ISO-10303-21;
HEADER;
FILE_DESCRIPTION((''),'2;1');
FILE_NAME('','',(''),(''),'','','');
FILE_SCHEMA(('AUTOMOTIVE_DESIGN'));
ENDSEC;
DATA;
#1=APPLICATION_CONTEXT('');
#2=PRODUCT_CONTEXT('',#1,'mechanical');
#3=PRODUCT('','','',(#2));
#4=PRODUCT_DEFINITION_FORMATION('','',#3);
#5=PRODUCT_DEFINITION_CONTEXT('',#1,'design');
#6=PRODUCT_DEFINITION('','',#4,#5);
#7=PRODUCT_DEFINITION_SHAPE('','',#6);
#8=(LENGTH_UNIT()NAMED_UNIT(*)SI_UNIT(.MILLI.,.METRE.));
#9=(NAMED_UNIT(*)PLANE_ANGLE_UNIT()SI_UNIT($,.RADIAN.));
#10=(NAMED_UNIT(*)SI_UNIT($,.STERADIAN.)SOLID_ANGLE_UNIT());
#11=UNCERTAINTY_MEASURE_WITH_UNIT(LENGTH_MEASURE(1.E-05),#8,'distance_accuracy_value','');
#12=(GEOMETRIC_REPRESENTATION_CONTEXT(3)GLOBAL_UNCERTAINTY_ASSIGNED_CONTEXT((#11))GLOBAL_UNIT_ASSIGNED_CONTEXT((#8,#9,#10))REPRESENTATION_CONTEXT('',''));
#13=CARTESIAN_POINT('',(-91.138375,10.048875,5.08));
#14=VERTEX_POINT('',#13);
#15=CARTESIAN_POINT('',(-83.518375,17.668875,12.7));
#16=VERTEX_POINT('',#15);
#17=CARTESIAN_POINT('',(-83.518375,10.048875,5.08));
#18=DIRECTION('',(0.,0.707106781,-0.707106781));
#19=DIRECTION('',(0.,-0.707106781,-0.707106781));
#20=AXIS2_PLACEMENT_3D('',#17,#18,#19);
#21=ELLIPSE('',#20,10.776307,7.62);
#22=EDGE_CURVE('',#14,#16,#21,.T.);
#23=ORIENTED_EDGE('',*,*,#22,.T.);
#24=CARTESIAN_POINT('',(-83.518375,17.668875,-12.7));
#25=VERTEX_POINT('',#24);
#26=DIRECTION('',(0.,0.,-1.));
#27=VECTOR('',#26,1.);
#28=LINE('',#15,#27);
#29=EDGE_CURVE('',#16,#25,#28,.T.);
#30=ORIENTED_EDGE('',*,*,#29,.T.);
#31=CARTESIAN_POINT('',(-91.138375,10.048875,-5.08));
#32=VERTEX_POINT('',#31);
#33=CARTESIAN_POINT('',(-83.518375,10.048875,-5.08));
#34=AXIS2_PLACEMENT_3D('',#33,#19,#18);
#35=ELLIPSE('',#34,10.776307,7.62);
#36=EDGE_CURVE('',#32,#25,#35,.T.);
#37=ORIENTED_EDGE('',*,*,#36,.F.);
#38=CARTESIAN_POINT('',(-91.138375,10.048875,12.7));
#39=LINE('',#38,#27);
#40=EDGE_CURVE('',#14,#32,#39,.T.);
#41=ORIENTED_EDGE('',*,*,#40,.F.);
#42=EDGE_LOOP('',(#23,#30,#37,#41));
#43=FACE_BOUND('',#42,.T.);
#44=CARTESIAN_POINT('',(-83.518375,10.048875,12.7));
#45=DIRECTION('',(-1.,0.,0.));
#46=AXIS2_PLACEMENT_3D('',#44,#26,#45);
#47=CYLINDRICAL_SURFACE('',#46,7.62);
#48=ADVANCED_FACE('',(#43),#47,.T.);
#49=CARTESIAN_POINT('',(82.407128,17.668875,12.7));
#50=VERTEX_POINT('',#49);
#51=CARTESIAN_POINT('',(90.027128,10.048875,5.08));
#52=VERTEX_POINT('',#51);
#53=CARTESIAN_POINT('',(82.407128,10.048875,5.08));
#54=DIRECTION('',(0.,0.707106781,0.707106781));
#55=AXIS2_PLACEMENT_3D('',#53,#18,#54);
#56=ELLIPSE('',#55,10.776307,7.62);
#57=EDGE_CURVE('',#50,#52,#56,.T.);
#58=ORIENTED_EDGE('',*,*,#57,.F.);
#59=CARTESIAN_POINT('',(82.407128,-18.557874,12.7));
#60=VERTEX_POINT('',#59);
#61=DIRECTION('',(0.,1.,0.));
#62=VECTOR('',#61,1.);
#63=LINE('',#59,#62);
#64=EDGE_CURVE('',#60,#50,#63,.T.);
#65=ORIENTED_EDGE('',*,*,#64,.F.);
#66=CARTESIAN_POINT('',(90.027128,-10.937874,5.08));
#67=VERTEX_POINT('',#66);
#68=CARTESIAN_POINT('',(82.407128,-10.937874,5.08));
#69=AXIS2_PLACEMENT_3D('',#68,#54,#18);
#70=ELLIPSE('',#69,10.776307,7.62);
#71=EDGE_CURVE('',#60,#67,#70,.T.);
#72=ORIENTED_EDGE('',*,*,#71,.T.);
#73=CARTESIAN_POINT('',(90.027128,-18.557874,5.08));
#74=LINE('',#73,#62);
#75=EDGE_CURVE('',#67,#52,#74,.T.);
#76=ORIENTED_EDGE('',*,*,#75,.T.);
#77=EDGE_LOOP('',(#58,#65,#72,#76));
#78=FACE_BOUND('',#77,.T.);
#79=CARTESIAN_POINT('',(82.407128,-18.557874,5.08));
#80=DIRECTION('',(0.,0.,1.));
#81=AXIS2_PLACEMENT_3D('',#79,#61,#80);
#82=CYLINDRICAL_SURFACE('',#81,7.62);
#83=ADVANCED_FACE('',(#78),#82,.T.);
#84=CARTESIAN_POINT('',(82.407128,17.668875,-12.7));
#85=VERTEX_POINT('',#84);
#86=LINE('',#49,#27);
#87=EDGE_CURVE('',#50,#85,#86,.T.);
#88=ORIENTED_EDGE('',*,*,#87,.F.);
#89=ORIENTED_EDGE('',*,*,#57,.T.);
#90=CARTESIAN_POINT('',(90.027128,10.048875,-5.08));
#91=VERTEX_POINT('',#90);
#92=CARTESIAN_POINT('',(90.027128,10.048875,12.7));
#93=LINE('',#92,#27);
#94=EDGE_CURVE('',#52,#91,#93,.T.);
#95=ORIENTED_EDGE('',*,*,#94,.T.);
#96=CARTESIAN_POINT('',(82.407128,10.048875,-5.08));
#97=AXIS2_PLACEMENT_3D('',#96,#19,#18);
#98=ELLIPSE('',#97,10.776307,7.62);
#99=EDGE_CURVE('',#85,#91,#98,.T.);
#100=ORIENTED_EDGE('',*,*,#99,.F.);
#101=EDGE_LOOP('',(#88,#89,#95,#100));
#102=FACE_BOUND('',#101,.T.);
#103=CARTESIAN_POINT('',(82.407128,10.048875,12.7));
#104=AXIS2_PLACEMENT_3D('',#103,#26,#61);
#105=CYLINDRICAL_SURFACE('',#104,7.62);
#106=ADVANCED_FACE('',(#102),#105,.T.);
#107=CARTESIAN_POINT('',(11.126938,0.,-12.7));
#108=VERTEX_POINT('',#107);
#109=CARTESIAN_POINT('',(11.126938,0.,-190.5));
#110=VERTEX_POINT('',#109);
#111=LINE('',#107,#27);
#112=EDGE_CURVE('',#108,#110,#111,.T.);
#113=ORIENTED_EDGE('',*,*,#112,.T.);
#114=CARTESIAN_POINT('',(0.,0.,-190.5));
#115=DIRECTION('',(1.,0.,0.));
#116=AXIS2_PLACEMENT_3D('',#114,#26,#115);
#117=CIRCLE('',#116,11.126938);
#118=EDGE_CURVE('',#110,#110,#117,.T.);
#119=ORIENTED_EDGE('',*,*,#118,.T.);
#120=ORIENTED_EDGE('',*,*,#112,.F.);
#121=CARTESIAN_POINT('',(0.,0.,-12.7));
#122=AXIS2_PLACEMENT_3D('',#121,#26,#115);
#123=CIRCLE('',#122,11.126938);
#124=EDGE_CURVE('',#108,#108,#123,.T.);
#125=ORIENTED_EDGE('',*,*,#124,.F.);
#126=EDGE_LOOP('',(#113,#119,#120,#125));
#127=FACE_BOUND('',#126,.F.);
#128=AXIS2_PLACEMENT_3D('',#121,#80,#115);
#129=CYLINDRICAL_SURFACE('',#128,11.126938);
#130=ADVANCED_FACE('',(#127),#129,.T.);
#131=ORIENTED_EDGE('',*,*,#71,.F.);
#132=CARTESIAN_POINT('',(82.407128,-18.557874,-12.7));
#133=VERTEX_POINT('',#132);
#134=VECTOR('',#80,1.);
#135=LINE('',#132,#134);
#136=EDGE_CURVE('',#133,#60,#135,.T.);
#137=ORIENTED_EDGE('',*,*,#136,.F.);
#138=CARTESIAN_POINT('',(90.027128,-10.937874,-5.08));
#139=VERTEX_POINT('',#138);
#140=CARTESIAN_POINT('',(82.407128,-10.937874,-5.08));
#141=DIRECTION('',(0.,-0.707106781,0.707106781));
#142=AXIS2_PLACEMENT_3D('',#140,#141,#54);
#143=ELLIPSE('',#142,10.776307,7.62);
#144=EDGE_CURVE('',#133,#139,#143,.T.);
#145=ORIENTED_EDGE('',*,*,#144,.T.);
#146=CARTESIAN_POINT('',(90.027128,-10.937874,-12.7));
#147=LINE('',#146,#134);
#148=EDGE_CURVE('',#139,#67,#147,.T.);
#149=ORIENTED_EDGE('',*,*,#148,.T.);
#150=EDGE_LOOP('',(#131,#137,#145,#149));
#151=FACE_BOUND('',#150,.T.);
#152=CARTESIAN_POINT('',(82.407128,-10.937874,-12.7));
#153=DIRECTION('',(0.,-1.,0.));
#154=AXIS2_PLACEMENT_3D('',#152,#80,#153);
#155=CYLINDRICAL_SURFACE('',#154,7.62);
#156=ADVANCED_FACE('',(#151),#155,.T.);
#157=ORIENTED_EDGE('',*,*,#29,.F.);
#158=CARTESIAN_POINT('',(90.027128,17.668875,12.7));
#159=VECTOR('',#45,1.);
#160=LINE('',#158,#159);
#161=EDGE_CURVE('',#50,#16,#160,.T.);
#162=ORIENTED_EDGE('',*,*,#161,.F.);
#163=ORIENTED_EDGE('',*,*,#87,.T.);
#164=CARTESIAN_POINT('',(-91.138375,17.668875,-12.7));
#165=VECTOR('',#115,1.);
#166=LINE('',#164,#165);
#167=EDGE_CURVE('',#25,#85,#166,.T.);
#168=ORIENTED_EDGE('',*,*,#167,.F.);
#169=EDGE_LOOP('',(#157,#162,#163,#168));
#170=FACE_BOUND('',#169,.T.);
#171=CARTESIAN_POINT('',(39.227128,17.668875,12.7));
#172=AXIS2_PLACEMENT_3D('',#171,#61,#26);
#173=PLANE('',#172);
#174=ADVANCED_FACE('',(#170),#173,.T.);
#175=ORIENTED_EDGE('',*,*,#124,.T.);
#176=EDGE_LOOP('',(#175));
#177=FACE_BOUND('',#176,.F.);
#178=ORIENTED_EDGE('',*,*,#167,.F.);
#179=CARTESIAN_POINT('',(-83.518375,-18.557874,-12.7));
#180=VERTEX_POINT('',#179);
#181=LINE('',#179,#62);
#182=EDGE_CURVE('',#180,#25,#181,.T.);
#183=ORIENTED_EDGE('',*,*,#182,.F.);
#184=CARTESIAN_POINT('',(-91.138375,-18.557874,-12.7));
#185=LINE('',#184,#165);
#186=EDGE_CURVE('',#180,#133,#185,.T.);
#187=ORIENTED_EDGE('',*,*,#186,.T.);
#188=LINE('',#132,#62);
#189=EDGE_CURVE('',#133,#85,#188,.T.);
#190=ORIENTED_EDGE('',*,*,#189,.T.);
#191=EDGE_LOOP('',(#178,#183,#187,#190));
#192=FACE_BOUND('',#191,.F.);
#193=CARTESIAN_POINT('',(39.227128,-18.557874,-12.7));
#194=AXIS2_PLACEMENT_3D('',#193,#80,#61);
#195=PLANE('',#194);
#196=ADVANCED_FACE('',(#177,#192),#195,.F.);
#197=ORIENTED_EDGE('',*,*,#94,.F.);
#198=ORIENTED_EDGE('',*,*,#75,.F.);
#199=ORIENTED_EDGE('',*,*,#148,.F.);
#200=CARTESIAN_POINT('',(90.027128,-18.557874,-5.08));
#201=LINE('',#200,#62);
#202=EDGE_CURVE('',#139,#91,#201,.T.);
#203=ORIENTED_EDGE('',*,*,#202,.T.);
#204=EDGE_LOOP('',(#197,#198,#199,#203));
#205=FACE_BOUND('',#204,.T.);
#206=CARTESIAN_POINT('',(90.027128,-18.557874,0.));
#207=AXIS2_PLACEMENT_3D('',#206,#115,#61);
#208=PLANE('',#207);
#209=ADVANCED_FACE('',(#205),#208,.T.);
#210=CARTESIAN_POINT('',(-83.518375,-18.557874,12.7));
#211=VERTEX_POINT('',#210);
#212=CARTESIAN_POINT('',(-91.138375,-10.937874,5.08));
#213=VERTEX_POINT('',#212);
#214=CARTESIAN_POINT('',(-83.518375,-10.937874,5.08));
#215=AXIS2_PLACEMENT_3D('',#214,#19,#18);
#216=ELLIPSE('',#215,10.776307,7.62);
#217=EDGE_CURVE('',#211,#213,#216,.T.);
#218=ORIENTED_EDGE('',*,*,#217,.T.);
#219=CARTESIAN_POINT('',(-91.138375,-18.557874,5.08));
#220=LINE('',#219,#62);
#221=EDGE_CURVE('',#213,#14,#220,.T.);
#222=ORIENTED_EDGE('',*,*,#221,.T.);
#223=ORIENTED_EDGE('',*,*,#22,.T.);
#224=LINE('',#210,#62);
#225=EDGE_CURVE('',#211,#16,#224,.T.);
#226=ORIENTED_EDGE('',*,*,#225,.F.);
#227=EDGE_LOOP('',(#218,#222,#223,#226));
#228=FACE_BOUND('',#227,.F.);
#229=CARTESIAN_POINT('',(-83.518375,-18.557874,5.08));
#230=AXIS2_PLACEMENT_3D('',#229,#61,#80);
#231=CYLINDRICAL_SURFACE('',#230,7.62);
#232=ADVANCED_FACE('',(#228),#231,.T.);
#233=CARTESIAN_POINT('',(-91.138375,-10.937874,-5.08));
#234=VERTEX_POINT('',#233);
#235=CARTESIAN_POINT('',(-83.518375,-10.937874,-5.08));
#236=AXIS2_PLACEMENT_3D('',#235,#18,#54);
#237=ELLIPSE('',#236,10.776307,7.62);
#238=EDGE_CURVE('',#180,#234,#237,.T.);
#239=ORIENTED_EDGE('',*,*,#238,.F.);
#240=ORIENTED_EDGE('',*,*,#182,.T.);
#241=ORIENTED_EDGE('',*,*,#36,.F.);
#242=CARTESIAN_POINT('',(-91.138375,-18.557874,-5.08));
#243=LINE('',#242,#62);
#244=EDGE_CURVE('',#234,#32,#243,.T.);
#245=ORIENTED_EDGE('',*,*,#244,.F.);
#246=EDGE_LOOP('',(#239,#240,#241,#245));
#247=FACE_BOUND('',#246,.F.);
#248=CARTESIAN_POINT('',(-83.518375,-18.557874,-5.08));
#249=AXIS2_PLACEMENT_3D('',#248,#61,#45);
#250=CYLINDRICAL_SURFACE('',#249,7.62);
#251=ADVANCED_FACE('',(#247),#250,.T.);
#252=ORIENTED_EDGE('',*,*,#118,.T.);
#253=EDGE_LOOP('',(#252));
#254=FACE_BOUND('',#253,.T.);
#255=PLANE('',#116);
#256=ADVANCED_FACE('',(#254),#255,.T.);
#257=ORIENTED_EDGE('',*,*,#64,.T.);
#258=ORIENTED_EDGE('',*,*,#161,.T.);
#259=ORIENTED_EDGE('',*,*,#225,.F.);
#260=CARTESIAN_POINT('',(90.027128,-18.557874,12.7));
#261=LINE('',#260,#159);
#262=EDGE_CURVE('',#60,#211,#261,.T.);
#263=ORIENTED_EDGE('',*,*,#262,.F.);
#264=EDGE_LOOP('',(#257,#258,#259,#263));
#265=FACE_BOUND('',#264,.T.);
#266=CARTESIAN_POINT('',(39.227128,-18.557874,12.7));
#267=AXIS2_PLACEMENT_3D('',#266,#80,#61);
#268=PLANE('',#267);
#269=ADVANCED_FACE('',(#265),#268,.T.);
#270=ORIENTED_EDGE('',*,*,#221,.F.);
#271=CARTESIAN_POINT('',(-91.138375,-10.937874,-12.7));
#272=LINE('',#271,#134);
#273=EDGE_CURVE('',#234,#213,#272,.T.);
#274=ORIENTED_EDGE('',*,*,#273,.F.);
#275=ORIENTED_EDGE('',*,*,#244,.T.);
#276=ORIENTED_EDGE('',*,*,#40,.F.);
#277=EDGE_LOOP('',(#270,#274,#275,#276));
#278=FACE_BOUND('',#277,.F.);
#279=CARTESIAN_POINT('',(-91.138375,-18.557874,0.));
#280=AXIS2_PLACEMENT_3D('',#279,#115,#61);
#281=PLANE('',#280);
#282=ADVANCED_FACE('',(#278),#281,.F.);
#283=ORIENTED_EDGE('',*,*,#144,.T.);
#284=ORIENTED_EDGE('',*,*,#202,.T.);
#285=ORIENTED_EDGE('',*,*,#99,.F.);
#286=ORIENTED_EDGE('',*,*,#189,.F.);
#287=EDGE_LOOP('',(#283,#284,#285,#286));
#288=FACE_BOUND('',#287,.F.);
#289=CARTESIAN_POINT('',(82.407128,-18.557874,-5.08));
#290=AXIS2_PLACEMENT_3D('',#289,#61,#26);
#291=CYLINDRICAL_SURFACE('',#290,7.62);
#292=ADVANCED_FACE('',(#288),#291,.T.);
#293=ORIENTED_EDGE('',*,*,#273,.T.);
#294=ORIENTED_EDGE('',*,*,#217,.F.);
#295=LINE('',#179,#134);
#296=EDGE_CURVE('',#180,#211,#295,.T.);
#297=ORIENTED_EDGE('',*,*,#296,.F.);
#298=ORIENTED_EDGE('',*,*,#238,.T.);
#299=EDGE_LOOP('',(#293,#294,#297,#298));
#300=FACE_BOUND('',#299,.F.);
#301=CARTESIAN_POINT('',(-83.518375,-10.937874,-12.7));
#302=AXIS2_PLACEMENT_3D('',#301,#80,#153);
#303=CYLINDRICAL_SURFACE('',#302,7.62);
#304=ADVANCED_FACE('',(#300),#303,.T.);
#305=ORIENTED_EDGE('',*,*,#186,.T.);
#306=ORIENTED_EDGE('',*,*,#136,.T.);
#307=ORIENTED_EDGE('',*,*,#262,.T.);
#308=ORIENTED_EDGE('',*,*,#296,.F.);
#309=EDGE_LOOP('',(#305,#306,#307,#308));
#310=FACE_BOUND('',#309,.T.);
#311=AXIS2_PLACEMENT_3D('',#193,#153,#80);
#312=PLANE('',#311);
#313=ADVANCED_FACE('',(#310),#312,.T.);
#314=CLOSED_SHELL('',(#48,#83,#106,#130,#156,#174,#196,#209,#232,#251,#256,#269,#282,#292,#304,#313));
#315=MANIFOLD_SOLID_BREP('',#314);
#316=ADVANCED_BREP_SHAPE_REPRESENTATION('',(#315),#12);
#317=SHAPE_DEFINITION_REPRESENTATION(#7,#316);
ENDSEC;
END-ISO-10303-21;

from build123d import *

# Parameters (mm, degrees)
F0_W     = 79.5655027032
F0_H     = 36.2267494202
F1_DEPTH = 12.7
F2_DEPTH = 12.7
F3_R     = 11.1269376105
F4_DEPTH = 177.8
F5_DEPTH = 50.8
F6_DEPTH = 50.8
F7_R     = 7.62
F8_R     = 7.62


with BuildPart() as f1:
    # F0 (on Top) → F1 (new body)
    with BuildSketch(Plane.XY):
        with Locations((-0.5556233227, -0.4444997758)):
            Rectangle(F0_W, F0_H)
    extrude(amount=F1_DEPTH)

    # F2 (add): a face of the model
    f2_faces = [f1.faces().sort_by_distance(p)[0] for p in [
        (-0.5556233227, -0.4444997758, 0),
    ]]
    extrude(f2_faces, amount=F2_DEPTH)

    # F3 (on face) → F4 (join)
    with BuildSketch(Plane(origin=(0, 0, -12.7), x_dir=(1, 0, 0), z_dir=(0, 0, -1))):
        Circle(F3_R)
    extrude(amount=F4_DEPTH)

    # F5 (add): a face of the model
    f5_faces = [f1.faces().sort_by_distance(p)[0] for p in [
        (-40.3383746743, -0.4444997758, 0),
    ]]
    extrude(f5_faces, amount=F5_DEPTH)

    # F6 (add): a face of the model
    f6_faces = [f1.faces().sort_by_distance(p)[0] for p in [
        (39.2271280289, -0.4444997758, 0),
    ]]
    extrude(f6_faces, amount=F6_DEPTH)

    # F7
    f7_edges = [f1.edges().sort_by_distance(p)[0] for p in [
        (90.027128, -0.4445, 12.7),
        (90.027128, 17.668875, 0),
        (90.027128, -0.4445, -12.7),
        (90.027128, -18.557874, 0),
    ]]
    fillet(f7_edges, radius=F7_R)

    # F8
    f8_edges = [f1.edges().sort_by_distance(p)[0] for p in [
        (-91.138375, 17.668875, 0),
        (-91.138375, -0.4445, 12.7),
        (-91.138375, -18.557874, 0),
        (-91.138375, -0.4445, -12.7),
    ]]
    fillet(f8_edges, radius=F8_R)


solid = f1.part
